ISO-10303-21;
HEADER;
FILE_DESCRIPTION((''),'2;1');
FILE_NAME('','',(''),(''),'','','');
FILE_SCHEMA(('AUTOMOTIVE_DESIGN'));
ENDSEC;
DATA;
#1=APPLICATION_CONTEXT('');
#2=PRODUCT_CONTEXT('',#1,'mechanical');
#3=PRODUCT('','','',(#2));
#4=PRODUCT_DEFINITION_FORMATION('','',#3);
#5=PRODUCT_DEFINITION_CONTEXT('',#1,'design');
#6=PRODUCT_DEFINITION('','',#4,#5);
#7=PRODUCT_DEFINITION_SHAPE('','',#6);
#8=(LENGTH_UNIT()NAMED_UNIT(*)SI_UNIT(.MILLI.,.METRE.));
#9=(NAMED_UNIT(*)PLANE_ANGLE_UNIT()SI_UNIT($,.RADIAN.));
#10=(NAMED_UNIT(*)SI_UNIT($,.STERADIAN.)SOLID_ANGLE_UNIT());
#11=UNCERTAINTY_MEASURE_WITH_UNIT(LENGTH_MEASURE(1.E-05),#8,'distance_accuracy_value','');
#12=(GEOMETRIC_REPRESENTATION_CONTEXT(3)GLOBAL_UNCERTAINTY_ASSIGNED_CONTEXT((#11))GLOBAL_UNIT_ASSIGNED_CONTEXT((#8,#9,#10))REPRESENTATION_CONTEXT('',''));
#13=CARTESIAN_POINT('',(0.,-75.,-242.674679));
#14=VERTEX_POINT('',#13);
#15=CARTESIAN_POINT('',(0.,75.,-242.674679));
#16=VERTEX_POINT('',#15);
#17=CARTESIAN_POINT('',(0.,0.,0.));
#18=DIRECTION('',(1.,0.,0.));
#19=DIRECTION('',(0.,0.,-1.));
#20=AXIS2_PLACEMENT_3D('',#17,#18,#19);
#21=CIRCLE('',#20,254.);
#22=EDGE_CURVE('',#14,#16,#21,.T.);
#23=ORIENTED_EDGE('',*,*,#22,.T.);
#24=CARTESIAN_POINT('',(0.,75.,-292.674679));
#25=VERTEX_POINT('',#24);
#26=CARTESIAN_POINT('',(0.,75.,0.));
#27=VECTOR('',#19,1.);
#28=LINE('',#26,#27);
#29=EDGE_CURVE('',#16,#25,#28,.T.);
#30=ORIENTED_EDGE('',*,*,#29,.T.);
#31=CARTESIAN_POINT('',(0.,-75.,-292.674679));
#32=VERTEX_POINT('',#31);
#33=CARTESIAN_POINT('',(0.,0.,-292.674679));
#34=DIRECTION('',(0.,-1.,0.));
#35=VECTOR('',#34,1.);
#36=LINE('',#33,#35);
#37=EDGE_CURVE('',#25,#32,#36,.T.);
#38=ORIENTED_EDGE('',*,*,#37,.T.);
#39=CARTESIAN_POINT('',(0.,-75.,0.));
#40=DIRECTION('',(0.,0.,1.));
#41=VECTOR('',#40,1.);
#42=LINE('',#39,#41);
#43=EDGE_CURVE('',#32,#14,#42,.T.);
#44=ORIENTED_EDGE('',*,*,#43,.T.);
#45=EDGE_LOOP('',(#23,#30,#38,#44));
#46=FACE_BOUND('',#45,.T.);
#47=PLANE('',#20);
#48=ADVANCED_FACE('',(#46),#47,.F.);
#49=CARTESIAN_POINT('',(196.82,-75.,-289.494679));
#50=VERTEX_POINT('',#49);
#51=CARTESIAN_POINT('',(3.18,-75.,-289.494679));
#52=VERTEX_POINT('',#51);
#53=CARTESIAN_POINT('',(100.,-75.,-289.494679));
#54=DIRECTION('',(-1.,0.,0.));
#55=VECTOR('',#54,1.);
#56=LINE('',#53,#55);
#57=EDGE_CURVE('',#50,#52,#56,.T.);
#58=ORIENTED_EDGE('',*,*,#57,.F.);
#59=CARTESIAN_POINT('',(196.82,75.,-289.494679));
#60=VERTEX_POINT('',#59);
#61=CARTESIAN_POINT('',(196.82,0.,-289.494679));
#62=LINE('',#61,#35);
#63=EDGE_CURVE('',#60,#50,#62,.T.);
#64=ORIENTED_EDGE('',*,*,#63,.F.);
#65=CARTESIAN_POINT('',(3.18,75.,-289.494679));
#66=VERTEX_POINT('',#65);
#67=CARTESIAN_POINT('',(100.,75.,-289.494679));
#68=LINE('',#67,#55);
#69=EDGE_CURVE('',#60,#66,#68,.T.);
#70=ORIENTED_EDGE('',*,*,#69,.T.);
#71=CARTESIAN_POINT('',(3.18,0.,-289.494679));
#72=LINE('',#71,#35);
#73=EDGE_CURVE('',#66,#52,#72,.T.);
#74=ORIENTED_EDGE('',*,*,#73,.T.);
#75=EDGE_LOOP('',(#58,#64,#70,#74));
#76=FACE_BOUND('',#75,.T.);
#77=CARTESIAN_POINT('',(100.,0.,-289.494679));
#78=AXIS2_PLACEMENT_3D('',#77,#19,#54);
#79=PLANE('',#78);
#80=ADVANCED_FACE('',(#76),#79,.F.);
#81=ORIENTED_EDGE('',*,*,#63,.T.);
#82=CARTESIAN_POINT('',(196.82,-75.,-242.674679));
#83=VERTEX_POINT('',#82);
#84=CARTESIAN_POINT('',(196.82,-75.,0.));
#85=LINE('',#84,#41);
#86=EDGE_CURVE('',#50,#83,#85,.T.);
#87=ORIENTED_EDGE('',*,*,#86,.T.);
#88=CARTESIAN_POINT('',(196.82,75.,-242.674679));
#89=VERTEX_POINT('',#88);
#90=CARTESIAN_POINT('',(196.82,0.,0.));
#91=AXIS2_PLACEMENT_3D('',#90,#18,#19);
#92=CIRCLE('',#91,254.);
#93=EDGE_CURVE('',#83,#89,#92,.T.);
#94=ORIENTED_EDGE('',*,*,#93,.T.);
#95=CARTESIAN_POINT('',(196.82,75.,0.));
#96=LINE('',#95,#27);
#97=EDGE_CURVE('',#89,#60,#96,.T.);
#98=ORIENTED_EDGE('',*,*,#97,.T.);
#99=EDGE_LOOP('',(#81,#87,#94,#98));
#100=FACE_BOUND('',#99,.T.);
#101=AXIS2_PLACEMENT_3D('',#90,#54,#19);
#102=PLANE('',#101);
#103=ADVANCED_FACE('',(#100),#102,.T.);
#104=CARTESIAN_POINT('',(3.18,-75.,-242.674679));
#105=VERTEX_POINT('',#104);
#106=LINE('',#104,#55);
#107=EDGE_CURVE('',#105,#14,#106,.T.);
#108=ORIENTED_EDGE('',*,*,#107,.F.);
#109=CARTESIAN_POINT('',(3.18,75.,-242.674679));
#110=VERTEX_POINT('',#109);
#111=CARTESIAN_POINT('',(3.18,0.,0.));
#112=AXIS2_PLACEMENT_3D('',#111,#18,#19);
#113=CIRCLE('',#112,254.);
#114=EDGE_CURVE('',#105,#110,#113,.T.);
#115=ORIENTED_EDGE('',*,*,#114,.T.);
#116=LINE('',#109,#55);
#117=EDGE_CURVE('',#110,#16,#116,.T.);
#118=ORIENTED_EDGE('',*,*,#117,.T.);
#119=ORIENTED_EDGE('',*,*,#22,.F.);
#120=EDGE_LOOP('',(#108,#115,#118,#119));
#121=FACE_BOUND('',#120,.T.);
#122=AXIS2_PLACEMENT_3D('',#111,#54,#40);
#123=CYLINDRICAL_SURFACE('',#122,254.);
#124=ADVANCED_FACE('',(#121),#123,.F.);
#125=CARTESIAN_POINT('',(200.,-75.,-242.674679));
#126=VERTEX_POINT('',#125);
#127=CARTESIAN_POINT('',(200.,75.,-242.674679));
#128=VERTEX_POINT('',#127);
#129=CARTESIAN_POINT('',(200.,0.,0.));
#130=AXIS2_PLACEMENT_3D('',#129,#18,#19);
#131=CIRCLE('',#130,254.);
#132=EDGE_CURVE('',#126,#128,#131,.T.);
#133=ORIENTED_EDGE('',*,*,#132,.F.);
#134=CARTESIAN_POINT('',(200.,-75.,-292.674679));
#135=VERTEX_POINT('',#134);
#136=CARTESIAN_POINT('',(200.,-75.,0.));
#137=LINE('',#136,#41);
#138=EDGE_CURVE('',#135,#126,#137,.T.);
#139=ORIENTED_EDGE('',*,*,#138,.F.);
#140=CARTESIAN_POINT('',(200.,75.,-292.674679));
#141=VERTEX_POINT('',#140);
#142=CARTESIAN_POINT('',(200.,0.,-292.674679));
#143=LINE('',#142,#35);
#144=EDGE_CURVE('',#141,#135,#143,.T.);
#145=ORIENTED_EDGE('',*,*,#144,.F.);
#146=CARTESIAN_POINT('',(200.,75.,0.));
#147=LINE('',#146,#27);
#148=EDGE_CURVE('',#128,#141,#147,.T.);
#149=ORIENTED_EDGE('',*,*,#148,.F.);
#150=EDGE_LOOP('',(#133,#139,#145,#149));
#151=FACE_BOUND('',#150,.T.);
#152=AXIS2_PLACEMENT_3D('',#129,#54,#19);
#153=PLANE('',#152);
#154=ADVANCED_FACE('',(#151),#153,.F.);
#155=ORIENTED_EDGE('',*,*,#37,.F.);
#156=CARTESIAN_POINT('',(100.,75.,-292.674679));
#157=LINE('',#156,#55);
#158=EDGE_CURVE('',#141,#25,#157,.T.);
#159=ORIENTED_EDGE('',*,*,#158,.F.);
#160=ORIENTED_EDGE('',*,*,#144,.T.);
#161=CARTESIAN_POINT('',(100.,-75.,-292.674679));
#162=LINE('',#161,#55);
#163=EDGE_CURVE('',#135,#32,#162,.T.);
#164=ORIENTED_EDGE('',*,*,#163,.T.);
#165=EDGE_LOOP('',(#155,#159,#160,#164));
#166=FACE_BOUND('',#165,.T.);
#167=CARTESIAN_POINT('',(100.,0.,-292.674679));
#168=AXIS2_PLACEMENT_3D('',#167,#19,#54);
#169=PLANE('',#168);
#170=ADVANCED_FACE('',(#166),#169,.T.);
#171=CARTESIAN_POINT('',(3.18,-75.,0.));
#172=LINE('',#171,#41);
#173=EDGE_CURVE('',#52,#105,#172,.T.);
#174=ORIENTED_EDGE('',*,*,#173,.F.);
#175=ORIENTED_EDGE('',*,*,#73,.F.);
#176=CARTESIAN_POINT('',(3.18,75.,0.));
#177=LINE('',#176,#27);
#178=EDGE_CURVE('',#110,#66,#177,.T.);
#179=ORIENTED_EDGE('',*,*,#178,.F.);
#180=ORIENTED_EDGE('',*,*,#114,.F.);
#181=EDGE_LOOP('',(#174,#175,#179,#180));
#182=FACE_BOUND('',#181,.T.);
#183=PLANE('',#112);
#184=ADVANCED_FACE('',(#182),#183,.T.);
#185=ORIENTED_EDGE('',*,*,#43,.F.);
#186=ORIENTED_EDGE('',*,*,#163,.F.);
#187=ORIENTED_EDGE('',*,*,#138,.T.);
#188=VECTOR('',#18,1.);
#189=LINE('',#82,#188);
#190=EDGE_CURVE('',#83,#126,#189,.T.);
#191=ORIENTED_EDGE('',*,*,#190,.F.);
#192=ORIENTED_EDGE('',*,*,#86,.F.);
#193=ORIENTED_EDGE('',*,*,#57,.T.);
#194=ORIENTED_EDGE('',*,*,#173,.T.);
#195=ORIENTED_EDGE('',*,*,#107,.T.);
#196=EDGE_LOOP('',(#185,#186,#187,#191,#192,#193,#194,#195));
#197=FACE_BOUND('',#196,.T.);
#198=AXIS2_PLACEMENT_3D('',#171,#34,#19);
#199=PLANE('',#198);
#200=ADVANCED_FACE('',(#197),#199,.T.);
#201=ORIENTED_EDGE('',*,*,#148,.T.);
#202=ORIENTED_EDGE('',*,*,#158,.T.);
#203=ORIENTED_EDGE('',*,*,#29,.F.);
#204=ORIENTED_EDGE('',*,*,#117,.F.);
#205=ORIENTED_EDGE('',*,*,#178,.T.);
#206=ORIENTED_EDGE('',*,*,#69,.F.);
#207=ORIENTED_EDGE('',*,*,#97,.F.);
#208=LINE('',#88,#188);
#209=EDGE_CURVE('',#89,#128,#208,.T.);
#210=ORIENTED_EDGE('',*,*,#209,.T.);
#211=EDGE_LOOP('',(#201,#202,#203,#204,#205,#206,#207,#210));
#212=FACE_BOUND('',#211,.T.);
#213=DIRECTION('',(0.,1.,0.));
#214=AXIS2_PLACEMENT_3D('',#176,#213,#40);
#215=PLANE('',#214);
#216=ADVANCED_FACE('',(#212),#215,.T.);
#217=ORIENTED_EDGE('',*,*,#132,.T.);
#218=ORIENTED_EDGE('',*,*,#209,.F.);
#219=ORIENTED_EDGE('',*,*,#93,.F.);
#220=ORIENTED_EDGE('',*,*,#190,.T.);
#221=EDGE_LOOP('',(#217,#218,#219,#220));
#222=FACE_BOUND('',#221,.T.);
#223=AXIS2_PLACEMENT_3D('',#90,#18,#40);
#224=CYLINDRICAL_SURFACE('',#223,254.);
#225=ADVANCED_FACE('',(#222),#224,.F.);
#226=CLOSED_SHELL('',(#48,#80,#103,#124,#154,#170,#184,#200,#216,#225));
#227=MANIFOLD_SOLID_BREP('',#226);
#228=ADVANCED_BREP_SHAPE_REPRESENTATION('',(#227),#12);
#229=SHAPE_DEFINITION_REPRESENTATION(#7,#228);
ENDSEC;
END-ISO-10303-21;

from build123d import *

# Parameters (mm, degrees)
BOSS_EXTRUDE3_DEPTH = 3.18
SKETCH1_5_W         = 3.18
SKETCH1_5_H         = 150
BOSS_EXTRUDE4_DEPTH = 100


with BuildPart() as part:
    # Sketch1 → Boss-Extrude3 (new body)
    with BuildSketch(Plane(origin=(0, 0, 0), x_dir=(0, 0, -1), z_dir=(1, 0, 0))):
        with BuildLine():
            Line((289.494679355, 75), (242.674679355, 75))
            ThreePointArc((242.674679355, 75), (254, 0), (242.674679355, -75))
            Line((242.674679355, -75), (289.494679355, -75))
            Line((289.494679355, -75), (289.494679355, 75))
        make_face()
    extrude(amount=BOSS_EXTRUDE3_DEPTH)

    # Sketch1<5> → Boss-Extrude4 (add)
    with BuildSketch(Plane(origin=(0, 0, 0), x_dir=(0, 0, -1), z_dir=(1, 0, 0))):
        with Locations((291.084679355, 0)):
            Rectangle(SKETCH1_5_W, SKETCH1_5_H)
    extrude(amount=BOSS_EXTRUDE4_DEPTH)

    # Mirror2: part across plane


with BuildPart() as part_1:
    add(part.part)
    add(part.part.mirror(Plane(origin=(100, 0, 0), x_dir=(0, 0, 1), z_dir=(1, 0, 0))))


solid = part_1.part
